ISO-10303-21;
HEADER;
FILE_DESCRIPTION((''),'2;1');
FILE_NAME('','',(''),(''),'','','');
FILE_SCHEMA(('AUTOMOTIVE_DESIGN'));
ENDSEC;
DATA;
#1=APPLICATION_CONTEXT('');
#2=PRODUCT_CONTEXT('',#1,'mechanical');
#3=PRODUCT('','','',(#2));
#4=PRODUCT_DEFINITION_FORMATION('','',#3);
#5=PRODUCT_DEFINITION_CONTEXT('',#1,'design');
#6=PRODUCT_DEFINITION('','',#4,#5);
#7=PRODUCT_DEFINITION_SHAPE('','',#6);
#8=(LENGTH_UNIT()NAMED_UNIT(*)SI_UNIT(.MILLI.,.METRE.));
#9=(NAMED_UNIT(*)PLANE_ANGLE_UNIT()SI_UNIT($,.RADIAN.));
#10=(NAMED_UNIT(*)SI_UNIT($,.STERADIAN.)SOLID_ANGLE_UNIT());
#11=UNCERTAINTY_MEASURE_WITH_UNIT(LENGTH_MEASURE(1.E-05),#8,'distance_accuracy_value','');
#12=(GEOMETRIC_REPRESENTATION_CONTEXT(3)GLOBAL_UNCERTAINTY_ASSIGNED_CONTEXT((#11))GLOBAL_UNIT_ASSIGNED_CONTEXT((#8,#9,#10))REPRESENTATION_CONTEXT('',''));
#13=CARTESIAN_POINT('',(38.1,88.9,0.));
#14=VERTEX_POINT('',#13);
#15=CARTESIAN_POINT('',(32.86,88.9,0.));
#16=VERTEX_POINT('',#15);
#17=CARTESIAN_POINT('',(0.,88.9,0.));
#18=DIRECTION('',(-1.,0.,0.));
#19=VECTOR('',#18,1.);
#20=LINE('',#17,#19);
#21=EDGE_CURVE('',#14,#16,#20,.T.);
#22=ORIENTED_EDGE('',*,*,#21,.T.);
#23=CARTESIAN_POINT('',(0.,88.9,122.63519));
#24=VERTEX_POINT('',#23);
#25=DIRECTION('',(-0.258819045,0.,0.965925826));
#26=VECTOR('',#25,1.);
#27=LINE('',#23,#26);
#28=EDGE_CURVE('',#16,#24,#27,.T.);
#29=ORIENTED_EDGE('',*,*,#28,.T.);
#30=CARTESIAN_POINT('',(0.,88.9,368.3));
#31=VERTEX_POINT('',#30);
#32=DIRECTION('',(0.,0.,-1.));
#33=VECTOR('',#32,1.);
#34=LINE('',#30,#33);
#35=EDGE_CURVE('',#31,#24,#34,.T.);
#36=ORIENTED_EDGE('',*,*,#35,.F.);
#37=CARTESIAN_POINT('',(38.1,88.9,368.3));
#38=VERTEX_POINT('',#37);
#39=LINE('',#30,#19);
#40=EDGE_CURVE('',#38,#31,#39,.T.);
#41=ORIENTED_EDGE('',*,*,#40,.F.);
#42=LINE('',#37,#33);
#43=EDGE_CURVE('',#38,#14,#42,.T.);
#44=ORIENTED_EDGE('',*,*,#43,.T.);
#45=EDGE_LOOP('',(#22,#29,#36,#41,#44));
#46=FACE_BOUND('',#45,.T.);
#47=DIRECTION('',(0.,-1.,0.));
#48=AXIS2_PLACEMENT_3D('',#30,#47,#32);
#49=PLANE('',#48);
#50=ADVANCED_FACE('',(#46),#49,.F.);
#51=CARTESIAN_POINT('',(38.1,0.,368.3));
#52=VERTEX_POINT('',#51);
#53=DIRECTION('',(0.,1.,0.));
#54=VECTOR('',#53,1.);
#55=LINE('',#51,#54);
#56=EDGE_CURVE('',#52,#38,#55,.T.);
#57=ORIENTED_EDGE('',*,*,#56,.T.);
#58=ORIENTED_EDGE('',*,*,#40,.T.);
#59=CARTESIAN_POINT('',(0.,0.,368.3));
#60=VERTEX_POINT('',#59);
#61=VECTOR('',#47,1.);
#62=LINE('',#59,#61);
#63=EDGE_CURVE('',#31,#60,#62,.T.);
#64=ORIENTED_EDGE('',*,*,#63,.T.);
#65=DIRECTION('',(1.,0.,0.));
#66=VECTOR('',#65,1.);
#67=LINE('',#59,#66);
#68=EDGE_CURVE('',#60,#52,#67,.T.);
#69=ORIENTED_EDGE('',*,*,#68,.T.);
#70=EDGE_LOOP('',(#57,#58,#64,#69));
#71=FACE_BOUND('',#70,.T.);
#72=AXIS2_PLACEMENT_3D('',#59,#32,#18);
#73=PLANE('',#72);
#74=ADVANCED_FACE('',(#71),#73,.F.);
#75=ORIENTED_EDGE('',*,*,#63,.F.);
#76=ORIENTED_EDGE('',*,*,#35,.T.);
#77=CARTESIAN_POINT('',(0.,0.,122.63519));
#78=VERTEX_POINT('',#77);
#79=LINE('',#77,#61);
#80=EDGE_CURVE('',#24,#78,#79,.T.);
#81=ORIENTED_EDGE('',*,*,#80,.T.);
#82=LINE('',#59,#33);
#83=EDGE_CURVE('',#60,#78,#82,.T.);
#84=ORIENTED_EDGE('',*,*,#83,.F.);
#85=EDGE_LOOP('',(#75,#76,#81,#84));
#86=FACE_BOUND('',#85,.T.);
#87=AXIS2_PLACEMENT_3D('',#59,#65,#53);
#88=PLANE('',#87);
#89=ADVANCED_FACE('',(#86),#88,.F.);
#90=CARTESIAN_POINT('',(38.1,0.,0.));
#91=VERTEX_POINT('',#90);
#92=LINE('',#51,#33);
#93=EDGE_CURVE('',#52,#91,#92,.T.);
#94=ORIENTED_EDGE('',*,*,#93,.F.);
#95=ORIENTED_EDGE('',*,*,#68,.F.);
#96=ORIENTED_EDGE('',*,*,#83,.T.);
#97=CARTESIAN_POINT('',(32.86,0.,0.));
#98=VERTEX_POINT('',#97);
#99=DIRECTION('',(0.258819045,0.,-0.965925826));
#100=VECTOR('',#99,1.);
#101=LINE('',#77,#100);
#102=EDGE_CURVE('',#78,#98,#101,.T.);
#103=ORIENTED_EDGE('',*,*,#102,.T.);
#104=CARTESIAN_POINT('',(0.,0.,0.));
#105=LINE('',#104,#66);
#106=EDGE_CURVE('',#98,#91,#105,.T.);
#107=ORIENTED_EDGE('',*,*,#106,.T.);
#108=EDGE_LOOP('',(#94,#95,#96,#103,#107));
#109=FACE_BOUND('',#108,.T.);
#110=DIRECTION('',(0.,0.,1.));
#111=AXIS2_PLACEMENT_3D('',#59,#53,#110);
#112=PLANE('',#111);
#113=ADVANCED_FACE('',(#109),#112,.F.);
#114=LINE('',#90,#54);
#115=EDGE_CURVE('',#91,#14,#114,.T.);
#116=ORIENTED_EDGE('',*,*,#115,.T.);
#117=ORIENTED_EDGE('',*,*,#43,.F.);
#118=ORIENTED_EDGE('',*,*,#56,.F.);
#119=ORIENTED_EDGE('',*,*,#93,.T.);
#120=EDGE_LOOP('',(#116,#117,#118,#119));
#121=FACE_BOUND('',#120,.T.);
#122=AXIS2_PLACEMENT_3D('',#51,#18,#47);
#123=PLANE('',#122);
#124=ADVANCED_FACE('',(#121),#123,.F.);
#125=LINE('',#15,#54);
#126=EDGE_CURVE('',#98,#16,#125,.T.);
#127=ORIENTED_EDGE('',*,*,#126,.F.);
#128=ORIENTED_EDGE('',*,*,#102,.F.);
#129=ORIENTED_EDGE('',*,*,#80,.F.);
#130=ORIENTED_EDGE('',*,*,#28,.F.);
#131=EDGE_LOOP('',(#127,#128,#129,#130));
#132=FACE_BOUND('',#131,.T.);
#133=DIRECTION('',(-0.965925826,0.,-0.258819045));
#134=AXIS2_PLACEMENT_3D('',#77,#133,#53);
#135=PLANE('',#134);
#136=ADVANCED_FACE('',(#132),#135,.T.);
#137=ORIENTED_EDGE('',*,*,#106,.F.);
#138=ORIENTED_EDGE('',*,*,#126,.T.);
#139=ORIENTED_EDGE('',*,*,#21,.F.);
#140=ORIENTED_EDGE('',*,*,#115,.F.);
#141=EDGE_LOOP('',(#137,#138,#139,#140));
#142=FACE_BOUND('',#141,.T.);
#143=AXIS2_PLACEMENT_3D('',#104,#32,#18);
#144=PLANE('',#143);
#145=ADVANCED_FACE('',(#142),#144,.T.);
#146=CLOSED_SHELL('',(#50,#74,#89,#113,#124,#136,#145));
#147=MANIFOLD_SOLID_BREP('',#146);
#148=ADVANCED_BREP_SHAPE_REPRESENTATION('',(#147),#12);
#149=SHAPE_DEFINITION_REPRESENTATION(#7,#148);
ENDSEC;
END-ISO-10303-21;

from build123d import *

# Parameters (mm, degrees)
SKETCH1_W           = 38.1
SKETCH1_H           = 88.9
BOSS_EXTRUDE1_DEPTH = 368.3
CHAMFER1_SIZE       = 32.86
CHAMFER1_SIZE2      = 122.635189537


with BuildPart() as part:
    # Sketch1 → Boss-Extrude1 (new body)
    with BuildSketch(Plane.XY):
        with Locations((19.05, 44.45)):
            Rectangle(SKETCH1_W, SKETCH1_H)
    extrude(amount=BOSS_EXTRUDE1_DEPTH)

    # Chamfer1
    chamfer1_edges = [part.edges().sort_by_distance(p)[0] for p in [
        (0, 44.45, 0),
    ]]
    chamfer1_side = [part.faces().sort_by_distance(p)[0] for p in [
        (19.05, 44.45, 0),
    ]]
    chamfer(chamfer1_edges, length=CHAMFER1_SIZE, length2=CHAMFER1_SIZE2, reference=chamfer1_side[0])


solid = part.part
